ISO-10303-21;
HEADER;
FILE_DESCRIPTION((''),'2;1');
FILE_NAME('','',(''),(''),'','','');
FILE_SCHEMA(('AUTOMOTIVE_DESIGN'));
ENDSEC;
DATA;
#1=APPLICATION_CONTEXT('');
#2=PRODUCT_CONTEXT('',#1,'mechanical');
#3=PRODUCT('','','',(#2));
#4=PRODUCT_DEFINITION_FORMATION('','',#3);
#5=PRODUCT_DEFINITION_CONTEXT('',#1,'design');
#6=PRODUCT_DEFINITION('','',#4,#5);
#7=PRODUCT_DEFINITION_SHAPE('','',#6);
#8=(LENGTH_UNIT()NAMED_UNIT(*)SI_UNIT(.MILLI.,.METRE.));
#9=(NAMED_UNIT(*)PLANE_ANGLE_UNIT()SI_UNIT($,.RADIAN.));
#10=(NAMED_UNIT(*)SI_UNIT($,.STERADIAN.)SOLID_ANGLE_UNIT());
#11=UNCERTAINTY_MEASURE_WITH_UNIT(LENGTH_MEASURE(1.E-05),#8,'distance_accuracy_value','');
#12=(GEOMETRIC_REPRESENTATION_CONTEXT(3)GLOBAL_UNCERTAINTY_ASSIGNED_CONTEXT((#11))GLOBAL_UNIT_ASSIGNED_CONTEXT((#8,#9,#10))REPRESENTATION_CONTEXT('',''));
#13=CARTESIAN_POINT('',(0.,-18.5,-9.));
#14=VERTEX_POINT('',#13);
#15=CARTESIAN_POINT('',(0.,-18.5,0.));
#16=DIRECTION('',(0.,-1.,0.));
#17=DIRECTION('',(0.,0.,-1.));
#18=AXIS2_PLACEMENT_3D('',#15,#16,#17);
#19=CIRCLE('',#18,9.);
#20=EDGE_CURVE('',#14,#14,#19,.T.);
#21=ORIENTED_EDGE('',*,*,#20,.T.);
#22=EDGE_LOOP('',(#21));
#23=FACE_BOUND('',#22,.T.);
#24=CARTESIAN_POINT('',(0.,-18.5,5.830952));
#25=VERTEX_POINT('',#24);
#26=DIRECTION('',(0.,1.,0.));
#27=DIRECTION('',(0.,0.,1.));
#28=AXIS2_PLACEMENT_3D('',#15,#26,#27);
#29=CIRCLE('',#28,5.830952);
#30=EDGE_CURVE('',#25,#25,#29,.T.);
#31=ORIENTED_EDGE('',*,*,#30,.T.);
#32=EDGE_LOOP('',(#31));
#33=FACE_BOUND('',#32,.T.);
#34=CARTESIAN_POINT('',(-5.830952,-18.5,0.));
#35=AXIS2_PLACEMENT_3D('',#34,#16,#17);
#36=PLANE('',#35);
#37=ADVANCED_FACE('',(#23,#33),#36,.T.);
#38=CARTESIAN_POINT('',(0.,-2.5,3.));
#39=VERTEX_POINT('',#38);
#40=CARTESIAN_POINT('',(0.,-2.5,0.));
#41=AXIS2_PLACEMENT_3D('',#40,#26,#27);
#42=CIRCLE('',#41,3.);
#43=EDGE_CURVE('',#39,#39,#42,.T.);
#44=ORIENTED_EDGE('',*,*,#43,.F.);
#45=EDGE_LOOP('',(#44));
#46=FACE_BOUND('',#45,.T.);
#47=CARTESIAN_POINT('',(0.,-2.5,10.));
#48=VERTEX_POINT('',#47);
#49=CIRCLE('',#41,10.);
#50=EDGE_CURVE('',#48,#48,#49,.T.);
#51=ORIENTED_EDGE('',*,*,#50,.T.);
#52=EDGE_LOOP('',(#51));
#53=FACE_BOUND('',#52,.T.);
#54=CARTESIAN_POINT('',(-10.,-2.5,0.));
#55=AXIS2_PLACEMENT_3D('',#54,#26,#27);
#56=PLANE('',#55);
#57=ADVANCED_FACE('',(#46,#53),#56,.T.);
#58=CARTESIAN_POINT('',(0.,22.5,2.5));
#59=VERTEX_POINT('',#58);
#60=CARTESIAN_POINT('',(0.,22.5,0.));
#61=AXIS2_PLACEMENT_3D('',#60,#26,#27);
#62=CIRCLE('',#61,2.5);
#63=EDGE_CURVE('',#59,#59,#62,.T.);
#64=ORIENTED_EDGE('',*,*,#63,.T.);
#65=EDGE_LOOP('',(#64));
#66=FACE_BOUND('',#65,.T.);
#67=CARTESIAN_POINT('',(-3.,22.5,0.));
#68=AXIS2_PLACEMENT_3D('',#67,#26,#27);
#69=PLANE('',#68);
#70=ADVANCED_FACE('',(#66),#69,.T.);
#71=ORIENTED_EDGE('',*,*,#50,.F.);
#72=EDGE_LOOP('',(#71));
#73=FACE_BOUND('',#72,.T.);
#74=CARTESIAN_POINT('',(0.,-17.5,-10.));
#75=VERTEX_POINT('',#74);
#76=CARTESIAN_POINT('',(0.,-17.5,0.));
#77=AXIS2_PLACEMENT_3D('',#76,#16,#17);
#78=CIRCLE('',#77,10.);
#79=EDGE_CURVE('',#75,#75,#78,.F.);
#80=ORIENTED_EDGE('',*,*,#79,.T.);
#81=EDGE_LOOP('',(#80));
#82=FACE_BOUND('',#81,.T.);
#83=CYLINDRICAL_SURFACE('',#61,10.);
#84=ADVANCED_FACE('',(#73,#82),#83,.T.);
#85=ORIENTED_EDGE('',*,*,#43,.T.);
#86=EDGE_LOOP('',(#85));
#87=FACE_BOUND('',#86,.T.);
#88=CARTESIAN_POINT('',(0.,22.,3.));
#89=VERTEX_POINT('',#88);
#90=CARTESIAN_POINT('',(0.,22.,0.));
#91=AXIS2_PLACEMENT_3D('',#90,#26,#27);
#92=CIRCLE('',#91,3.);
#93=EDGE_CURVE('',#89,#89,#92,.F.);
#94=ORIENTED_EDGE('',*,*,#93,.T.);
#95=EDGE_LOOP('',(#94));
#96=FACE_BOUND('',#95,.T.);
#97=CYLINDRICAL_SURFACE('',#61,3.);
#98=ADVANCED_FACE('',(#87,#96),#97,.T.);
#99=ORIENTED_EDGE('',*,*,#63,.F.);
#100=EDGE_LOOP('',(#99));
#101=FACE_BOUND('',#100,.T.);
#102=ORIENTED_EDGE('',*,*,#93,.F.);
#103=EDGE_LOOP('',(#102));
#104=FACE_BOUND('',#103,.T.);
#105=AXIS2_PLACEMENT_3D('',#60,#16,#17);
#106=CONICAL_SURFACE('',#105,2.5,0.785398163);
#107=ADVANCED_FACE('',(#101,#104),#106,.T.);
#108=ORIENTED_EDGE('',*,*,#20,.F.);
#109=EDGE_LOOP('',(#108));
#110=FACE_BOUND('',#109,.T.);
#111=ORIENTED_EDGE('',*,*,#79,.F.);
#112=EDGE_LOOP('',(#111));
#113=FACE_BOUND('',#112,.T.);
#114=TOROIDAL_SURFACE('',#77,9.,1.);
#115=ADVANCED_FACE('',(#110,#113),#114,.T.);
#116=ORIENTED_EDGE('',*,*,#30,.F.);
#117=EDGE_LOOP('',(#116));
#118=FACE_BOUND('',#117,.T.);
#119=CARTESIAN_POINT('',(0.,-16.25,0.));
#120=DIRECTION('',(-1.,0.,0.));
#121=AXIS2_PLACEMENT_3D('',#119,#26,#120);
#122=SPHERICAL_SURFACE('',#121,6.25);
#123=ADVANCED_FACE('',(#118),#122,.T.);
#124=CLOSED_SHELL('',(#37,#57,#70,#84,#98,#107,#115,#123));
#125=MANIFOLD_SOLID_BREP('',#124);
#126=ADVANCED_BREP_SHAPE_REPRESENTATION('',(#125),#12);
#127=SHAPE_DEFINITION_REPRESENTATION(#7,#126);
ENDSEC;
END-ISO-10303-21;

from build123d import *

# Parameters (mm, degrees)
CHANFREIN1_SIZE = 0.5
CONG_1_R        = 1


with BuildPart() as part:
    # Esquisse1 → Révolution1 (revolve)
    with BuildSketch(Plane.XY):
        with BuildLine():
            Line((-5.830951895, -18.5), (-10, -18.5))
            Line((-10, -18.5), (-10, -2.5))
            Line((-10, -2.5), (-3, -2.5))
            Line((-3, -2.5), (-3, 22.5))
            Line((-3, 22.5), (0, 22.5))
            Line((0, 22.5), (0, -22.5))
            ThreePointArc((0, -22.5), (-3.535533906, -21.403882032), (-5.830951895, -18.5))
        make_face()
    revolve(axis=Axis((0, 22.5, 0), (0, -1, 0)))

    # Chanfrein1
    chanfrein1_edges = [part.edges().sort_by_distance(p)[0] for p in [
        (3, 22.5, 0),
    ]]
    chamfer(chanfrein1_edges, length=CHANFREIN1_SIZE)

    # Congé1
    cong_1_edges = [part.edges().sort_by_distance(p)[0] for p in [
        (10, -18.5, 0),
    ]]
    fillet(cong_1_edges, radius=CONG_1_R)


solid = part.part
